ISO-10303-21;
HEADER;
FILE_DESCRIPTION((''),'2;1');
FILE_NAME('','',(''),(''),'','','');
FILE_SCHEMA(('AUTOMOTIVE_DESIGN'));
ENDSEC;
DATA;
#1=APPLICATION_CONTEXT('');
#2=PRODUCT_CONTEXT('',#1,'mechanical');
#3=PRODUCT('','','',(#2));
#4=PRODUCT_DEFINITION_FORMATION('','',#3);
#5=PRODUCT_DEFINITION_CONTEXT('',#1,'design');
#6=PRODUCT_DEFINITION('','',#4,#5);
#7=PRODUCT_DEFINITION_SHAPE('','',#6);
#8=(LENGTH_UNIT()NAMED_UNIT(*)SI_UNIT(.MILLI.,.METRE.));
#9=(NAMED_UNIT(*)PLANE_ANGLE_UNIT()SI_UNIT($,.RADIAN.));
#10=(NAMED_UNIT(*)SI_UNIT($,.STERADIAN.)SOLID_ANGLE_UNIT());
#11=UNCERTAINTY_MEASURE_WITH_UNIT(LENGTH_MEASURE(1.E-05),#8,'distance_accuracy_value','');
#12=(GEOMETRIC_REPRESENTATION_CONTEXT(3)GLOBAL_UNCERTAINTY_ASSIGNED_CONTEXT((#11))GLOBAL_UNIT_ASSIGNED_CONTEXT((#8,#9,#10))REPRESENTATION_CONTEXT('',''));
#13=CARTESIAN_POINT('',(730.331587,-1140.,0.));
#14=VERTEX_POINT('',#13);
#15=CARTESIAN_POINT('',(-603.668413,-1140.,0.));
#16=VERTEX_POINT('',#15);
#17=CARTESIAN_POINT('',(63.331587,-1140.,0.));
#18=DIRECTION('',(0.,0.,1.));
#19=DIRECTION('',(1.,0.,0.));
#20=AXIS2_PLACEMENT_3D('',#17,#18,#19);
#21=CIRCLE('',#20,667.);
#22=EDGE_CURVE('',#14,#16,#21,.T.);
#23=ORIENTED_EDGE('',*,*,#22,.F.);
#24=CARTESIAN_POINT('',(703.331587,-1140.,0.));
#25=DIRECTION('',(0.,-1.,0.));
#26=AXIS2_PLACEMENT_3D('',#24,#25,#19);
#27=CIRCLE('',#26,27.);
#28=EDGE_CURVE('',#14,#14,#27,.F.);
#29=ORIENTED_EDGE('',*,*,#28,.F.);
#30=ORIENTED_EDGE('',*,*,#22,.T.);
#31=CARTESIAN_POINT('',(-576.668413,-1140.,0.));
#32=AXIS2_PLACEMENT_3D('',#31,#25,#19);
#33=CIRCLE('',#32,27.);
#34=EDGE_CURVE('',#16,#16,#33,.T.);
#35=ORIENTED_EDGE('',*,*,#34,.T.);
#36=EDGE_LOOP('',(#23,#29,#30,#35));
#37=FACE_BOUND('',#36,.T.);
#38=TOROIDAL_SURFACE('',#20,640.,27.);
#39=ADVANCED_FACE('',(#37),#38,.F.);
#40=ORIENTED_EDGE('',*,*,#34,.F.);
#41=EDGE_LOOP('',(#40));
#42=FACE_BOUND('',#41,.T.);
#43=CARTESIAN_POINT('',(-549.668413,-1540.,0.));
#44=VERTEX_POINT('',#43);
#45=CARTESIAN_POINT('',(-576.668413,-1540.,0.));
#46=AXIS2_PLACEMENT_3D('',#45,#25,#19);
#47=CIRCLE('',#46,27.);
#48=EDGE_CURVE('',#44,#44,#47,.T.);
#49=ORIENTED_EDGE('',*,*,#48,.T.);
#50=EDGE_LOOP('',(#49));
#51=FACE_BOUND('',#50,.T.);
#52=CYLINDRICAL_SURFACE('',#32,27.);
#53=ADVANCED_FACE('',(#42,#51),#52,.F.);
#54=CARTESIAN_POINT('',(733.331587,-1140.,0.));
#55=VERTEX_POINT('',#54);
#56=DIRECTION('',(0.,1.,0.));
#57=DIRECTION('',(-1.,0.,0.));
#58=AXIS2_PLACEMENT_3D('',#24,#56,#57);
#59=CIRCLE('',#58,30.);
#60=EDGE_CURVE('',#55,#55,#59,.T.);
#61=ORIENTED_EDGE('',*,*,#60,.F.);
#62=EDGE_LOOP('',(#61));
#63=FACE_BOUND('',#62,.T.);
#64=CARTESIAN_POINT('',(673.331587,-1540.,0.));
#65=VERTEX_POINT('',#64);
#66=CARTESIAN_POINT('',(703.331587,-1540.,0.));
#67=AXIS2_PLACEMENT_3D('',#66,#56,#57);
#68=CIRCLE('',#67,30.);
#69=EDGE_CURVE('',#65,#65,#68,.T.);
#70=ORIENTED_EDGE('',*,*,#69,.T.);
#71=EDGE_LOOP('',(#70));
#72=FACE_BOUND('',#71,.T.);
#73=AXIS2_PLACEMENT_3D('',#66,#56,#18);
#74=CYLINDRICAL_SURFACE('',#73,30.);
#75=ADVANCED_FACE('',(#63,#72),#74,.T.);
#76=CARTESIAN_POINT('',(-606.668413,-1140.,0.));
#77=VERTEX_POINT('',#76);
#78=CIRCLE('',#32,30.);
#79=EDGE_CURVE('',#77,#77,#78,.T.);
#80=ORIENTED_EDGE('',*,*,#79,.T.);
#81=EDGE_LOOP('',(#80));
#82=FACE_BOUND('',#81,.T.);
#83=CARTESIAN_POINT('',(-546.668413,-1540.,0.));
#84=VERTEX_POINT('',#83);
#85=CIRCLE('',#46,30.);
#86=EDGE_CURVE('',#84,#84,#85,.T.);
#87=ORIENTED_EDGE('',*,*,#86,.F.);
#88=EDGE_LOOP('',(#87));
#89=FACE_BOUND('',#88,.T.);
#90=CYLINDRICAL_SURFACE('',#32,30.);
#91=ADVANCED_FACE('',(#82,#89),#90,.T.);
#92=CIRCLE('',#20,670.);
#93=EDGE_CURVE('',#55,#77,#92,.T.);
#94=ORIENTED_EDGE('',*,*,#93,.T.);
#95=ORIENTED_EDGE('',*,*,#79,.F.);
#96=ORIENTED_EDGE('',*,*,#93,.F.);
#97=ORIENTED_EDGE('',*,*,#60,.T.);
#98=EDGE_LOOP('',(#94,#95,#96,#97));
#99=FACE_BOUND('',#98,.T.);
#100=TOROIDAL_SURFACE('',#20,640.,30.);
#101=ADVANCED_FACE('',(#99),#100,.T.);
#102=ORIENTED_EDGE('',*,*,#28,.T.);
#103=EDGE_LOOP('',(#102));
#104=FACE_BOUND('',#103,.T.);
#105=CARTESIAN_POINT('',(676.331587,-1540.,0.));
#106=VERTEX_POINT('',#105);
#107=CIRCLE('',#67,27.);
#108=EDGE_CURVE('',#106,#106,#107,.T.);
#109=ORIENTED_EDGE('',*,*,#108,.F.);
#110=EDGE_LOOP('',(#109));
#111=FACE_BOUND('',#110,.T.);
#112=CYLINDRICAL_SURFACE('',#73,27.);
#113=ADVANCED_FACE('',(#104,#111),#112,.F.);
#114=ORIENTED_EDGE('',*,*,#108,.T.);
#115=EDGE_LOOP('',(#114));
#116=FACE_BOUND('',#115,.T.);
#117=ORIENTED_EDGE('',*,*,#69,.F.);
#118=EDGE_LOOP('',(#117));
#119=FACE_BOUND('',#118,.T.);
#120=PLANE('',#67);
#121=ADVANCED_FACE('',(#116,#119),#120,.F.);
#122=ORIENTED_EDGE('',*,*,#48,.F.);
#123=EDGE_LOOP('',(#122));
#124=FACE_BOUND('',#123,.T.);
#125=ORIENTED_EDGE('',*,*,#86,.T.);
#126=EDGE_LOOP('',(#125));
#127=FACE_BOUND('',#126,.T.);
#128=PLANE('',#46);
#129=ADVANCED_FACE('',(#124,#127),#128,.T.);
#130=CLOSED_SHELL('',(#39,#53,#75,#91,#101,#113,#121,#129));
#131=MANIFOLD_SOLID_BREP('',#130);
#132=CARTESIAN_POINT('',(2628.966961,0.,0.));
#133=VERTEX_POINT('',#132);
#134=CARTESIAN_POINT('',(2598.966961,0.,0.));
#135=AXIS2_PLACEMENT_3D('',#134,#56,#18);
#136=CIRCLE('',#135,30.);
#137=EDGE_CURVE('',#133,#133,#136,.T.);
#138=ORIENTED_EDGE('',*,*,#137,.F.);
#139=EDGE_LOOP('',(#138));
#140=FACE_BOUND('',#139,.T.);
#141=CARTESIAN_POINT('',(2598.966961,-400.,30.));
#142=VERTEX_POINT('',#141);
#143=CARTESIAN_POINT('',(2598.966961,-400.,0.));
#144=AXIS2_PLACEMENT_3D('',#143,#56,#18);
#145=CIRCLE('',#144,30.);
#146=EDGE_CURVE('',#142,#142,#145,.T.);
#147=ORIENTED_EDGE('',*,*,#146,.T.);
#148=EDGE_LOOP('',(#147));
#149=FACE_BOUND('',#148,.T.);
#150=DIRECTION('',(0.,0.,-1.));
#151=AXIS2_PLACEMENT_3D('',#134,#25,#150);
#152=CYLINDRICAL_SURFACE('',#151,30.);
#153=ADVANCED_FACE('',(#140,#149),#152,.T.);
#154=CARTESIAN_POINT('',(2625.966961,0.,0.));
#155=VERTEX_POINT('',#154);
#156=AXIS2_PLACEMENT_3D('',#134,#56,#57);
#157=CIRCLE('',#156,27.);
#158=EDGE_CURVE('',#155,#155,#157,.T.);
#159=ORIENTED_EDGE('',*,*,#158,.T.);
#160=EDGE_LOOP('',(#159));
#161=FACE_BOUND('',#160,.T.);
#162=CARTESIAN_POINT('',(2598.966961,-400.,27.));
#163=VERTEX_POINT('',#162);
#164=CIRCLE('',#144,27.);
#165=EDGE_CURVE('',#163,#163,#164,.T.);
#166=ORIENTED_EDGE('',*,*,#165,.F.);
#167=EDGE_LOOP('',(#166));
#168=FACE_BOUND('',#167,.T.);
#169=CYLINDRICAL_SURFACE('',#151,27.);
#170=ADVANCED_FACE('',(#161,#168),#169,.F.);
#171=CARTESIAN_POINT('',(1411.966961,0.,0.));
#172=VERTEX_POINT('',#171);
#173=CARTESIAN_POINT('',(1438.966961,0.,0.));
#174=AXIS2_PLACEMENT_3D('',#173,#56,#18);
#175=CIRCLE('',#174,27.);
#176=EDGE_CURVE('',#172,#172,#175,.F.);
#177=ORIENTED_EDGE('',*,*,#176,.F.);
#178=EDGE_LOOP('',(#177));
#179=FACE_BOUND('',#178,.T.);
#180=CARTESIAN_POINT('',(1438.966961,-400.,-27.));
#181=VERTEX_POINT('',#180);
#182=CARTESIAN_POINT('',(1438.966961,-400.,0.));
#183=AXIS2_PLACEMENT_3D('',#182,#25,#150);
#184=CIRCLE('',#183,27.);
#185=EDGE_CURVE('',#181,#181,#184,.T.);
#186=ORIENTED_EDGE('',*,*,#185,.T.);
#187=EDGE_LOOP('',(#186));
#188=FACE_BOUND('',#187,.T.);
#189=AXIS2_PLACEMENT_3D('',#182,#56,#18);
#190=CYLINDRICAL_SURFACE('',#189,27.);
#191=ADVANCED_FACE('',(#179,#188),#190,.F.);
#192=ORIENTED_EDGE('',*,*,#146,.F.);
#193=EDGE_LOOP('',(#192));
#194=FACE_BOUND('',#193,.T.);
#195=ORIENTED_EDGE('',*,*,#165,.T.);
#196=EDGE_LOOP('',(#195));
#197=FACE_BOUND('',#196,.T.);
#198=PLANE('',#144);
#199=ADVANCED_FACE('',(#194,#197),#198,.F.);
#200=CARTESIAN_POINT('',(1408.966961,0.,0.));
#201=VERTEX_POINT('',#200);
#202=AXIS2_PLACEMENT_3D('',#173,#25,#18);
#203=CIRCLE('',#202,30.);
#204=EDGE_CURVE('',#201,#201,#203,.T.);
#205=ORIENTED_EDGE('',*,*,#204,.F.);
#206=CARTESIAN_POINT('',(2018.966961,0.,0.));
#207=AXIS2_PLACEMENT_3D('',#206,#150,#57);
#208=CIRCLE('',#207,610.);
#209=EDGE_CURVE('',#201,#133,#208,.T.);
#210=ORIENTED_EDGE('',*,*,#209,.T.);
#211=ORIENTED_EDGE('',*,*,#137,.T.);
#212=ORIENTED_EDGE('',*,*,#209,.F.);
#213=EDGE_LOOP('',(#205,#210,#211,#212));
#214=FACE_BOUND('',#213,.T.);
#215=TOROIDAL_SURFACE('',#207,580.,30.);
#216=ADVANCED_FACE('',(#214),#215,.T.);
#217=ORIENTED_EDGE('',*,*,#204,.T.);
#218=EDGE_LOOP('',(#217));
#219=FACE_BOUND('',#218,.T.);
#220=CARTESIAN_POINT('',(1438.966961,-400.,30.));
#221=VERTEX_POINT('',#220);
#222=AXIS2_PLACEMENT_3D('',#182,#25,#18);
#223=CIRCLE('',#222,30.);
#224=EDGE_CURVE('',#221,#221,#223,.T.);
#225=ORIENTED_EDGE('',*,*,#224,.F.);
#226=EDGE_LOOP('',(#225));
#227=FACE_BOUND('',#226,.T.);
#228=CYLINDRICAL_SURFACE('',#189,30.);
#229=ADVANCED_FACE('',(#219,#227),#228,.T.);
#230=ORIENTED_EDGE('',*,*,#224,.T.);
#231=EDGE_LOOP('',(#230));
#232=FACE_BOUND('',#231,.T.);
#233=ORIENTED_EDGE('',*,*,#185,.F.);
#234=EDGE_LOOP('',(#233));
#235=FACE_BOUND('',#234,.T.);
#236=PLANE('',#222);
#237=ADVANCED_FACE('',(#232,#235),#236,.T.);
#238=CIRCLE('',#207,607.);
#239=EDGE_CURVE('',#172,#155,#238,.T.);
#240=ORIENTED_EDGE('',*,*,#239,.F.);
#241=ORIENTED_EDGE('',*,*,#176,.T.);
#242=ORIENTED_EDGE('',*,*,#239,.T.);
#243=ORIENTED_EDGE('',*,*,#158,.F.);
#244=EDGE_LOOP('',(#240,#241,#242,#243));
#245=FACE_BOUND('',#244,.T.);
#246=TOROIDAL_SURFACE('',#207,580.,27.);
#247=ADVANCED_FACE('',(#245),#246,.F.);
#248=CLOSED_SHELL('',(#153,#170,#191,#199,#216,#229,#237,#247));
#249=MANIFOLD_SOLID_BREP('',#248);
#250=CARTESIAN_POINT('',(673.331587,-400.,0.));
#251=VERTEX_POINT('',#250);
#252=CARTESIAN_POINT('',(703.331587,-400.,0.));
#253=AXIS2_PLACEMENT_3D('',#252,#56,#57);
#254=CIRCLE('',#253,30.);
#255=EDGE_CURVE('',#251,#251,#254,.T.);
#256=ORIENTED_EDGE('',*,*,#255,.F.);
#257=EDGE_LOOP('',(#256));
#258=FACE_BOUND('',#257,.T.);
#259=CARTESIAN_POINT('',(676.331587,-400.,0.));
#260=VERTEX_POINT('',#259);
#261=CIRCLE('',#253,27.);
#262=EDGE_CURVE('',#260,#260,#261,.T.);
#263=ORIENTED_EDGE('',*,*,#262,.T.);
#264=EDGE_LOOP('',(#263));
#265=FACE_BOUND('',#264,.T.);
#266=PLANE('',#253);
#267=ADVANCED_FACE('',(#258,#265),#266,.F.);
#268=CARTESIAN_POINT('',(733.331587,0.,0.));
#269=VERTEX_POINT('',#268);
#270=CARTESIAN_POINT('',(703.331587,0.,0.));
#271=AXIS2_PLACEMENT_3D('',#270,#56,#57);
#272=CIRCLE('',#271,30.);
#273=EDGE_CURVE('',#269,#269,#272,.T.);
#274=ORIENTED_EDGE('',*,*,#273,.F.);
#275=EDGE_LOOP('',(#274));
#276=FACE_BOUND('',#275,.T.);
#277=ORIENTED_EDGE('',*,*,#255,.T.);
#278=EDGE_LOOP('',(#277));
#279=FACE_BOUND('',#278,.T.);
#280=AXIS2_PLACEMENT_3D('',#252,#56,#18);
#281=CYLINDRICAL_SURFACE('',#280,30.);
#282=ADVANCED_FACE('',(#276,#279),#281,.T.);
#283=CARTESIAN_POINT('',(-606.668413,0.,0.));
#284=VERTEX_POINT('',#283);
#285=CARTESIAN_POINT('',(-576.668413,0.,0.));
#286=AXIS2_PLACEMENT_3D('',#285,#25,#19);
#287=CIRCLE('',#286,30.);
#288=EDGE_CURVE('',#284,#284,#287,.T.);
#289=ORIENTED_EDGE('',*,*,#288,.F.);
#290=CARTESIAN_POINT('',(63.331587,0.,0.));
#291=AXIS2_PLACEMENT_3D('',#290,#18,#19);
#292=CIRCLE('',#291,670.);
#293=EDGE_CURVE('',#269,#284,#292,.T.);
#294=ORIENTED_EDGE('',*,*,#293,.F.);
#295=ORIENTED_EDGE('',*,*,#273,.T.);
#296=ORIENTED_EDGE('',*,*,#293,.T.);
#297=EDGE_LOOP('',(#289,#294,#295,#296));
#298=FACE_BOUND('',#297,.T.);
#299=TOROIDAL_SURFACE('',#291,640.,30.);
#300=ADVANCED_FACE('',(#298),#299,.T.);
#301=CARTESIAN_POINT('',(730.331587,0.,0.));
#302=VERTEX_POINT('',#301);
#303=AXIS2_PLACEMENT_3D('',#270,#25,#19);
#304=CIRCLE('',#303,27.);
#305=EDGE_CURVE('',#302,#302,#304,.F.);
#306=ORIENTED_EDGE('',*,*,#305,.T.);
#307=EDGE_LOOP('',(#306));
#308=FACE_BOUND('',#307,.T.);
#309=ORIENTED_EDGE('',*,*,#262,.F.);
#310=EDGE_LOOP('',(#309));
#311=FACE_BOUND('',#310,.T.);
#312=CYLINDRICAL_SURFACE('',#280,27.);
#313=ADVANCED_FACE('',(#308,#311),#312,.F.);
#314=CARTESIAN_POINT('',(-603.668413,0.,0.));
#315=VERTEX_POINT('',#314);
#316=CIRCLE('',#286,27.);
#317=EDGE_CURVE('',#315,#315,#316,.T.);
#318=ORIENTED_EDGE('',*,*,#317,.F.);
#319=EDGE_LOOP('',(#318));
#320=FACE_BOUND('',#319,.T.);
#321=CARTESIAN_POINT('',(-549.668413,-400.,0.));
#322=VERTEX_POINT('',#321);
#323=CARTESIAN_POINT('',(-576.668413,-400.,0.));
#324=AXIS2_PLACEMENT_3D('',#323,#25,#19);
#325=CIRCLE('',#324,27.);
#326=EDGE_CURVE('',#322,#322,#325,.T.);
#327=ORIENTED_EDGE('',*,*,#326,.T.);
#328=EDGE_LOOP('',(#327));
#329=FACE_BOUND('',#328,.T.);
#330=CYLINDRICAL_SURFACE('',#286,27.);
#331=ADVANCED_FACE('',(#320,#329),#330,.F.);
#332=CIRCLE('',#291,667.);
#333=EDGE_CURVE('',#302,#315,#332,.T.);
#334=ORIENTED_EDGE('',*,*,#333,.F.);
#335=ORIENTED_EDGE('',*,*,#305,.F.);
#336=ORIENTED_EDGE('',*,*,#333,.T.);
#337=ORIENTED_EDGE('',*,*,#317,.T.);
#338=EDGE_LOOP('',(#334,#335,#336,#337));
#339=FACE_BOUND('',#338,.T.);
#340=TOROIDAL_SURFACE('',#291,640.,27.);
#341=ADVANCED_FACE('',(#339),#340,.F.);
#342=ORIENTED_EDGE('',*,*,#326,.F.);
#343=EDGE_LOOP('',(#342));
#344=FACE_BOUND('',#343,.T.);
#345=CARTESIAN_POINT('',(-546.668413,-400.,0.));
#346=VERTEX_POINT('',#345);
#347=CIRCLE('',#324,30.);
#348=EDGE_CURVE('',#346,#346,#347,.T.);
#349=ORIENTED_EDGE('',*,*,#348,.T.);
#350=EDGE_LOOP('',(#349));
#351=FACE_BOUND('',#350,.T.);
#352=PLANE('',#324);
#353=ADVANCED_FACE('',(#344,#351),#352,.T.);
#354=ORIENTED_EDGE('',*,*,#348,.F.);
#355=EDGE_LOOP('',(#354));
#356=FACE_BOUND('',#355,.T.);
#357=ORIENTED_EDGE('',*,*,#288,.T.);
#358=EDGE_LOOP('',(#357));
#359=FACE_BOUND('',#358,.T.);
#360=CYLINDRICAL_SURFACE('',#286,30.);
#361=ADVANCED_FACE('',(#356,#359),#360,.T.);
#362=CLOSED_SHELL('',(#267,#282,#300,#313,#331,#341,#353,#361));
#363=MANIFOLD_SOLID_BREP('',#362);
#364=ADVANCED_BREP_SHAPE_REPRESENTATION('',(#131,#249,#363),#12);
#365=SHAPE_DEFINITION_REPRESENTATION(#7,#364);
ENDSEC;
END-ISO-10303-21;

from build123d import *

# Parameters (mm, degrees)
SWEEP_THIN1_PROFILE_R   = 30
SWEEP_THIN1_PROFILE_R_2 = 27
SWEEP_THIN2_PROFILE_R   = 30
SWEEP_THIN2_PROFILE_R_2 = 27
LPATTERN1_COUNT         = 2
LPATTERN1_PITCH         = 1140


with BuildPart() as part:
    # Sweep-Thin1: sweep along a path in Sketch1
    with BuildLine(Plane.XY) as sweep_thin1_path:
        Line((-576.668413478, -400), (-576.668413478, 0))
        ThreePointArc((-576.668413478, 0), (63.331586522, 640), (703.331586522, 0))
        Line((703.331586522, 0), (703.331586522, -400))
    # Sweep-Thin1 profile (on start of the path) → Sweep-Thin1 (sweep)
    with BuildSketch(Plane(origin=(-576.668413478, -400, 0), x_dir=(1, 0, 0), z_dir=(0, 1, 0))):
        Circle(SWEEP_THIN1_PROFILE_R)
        Circle(SWEEP_THIN1_PROFILE_R_2, mode=Mode.SUBTRACT)
    sweep(path=sweep_thin1_path.line)


with BuildPart() as body_2:
    # Sweep-Thin2: sweep along a path in Sketch22
    with BuildLine(Plane.XY) as sweep_thin2_path:
        Line((1438.966961175, -400), (1438.966961175, 0))
        ThreePointArc((1438.966961175, 0), (2018.966961175, 580), (2598.966961175, 0))
        Line((2598.966961175, 0), (2598.966961175, -400))
    # Sweep-Thin2 profile (on start of the path) → Sweep-Thin2 (sweep)
    with BuildSketch(Plane(origin=(1438.966961175, -400, 0), x_dir=(0, 0, 1), z_dir=(0, 1, 0))):
        Circle(SWEEP_THIN2_PROFILE_R)
        Circle(SWEEP_THIN2_PROFILE_R_2, mode=Mode.SUBTRACT)
    sweep(path=sweep_thin2_path.line)


with BuildPart() as lpattern1_1:
    # LPattern1: pattern copy
    add(part.part.moved(Location(Vector(0, -1, 0) * (1 * LPATTERN1_PITCH))))


solid = Compound([part.part, body_2.part, lpattern1_1.part])
